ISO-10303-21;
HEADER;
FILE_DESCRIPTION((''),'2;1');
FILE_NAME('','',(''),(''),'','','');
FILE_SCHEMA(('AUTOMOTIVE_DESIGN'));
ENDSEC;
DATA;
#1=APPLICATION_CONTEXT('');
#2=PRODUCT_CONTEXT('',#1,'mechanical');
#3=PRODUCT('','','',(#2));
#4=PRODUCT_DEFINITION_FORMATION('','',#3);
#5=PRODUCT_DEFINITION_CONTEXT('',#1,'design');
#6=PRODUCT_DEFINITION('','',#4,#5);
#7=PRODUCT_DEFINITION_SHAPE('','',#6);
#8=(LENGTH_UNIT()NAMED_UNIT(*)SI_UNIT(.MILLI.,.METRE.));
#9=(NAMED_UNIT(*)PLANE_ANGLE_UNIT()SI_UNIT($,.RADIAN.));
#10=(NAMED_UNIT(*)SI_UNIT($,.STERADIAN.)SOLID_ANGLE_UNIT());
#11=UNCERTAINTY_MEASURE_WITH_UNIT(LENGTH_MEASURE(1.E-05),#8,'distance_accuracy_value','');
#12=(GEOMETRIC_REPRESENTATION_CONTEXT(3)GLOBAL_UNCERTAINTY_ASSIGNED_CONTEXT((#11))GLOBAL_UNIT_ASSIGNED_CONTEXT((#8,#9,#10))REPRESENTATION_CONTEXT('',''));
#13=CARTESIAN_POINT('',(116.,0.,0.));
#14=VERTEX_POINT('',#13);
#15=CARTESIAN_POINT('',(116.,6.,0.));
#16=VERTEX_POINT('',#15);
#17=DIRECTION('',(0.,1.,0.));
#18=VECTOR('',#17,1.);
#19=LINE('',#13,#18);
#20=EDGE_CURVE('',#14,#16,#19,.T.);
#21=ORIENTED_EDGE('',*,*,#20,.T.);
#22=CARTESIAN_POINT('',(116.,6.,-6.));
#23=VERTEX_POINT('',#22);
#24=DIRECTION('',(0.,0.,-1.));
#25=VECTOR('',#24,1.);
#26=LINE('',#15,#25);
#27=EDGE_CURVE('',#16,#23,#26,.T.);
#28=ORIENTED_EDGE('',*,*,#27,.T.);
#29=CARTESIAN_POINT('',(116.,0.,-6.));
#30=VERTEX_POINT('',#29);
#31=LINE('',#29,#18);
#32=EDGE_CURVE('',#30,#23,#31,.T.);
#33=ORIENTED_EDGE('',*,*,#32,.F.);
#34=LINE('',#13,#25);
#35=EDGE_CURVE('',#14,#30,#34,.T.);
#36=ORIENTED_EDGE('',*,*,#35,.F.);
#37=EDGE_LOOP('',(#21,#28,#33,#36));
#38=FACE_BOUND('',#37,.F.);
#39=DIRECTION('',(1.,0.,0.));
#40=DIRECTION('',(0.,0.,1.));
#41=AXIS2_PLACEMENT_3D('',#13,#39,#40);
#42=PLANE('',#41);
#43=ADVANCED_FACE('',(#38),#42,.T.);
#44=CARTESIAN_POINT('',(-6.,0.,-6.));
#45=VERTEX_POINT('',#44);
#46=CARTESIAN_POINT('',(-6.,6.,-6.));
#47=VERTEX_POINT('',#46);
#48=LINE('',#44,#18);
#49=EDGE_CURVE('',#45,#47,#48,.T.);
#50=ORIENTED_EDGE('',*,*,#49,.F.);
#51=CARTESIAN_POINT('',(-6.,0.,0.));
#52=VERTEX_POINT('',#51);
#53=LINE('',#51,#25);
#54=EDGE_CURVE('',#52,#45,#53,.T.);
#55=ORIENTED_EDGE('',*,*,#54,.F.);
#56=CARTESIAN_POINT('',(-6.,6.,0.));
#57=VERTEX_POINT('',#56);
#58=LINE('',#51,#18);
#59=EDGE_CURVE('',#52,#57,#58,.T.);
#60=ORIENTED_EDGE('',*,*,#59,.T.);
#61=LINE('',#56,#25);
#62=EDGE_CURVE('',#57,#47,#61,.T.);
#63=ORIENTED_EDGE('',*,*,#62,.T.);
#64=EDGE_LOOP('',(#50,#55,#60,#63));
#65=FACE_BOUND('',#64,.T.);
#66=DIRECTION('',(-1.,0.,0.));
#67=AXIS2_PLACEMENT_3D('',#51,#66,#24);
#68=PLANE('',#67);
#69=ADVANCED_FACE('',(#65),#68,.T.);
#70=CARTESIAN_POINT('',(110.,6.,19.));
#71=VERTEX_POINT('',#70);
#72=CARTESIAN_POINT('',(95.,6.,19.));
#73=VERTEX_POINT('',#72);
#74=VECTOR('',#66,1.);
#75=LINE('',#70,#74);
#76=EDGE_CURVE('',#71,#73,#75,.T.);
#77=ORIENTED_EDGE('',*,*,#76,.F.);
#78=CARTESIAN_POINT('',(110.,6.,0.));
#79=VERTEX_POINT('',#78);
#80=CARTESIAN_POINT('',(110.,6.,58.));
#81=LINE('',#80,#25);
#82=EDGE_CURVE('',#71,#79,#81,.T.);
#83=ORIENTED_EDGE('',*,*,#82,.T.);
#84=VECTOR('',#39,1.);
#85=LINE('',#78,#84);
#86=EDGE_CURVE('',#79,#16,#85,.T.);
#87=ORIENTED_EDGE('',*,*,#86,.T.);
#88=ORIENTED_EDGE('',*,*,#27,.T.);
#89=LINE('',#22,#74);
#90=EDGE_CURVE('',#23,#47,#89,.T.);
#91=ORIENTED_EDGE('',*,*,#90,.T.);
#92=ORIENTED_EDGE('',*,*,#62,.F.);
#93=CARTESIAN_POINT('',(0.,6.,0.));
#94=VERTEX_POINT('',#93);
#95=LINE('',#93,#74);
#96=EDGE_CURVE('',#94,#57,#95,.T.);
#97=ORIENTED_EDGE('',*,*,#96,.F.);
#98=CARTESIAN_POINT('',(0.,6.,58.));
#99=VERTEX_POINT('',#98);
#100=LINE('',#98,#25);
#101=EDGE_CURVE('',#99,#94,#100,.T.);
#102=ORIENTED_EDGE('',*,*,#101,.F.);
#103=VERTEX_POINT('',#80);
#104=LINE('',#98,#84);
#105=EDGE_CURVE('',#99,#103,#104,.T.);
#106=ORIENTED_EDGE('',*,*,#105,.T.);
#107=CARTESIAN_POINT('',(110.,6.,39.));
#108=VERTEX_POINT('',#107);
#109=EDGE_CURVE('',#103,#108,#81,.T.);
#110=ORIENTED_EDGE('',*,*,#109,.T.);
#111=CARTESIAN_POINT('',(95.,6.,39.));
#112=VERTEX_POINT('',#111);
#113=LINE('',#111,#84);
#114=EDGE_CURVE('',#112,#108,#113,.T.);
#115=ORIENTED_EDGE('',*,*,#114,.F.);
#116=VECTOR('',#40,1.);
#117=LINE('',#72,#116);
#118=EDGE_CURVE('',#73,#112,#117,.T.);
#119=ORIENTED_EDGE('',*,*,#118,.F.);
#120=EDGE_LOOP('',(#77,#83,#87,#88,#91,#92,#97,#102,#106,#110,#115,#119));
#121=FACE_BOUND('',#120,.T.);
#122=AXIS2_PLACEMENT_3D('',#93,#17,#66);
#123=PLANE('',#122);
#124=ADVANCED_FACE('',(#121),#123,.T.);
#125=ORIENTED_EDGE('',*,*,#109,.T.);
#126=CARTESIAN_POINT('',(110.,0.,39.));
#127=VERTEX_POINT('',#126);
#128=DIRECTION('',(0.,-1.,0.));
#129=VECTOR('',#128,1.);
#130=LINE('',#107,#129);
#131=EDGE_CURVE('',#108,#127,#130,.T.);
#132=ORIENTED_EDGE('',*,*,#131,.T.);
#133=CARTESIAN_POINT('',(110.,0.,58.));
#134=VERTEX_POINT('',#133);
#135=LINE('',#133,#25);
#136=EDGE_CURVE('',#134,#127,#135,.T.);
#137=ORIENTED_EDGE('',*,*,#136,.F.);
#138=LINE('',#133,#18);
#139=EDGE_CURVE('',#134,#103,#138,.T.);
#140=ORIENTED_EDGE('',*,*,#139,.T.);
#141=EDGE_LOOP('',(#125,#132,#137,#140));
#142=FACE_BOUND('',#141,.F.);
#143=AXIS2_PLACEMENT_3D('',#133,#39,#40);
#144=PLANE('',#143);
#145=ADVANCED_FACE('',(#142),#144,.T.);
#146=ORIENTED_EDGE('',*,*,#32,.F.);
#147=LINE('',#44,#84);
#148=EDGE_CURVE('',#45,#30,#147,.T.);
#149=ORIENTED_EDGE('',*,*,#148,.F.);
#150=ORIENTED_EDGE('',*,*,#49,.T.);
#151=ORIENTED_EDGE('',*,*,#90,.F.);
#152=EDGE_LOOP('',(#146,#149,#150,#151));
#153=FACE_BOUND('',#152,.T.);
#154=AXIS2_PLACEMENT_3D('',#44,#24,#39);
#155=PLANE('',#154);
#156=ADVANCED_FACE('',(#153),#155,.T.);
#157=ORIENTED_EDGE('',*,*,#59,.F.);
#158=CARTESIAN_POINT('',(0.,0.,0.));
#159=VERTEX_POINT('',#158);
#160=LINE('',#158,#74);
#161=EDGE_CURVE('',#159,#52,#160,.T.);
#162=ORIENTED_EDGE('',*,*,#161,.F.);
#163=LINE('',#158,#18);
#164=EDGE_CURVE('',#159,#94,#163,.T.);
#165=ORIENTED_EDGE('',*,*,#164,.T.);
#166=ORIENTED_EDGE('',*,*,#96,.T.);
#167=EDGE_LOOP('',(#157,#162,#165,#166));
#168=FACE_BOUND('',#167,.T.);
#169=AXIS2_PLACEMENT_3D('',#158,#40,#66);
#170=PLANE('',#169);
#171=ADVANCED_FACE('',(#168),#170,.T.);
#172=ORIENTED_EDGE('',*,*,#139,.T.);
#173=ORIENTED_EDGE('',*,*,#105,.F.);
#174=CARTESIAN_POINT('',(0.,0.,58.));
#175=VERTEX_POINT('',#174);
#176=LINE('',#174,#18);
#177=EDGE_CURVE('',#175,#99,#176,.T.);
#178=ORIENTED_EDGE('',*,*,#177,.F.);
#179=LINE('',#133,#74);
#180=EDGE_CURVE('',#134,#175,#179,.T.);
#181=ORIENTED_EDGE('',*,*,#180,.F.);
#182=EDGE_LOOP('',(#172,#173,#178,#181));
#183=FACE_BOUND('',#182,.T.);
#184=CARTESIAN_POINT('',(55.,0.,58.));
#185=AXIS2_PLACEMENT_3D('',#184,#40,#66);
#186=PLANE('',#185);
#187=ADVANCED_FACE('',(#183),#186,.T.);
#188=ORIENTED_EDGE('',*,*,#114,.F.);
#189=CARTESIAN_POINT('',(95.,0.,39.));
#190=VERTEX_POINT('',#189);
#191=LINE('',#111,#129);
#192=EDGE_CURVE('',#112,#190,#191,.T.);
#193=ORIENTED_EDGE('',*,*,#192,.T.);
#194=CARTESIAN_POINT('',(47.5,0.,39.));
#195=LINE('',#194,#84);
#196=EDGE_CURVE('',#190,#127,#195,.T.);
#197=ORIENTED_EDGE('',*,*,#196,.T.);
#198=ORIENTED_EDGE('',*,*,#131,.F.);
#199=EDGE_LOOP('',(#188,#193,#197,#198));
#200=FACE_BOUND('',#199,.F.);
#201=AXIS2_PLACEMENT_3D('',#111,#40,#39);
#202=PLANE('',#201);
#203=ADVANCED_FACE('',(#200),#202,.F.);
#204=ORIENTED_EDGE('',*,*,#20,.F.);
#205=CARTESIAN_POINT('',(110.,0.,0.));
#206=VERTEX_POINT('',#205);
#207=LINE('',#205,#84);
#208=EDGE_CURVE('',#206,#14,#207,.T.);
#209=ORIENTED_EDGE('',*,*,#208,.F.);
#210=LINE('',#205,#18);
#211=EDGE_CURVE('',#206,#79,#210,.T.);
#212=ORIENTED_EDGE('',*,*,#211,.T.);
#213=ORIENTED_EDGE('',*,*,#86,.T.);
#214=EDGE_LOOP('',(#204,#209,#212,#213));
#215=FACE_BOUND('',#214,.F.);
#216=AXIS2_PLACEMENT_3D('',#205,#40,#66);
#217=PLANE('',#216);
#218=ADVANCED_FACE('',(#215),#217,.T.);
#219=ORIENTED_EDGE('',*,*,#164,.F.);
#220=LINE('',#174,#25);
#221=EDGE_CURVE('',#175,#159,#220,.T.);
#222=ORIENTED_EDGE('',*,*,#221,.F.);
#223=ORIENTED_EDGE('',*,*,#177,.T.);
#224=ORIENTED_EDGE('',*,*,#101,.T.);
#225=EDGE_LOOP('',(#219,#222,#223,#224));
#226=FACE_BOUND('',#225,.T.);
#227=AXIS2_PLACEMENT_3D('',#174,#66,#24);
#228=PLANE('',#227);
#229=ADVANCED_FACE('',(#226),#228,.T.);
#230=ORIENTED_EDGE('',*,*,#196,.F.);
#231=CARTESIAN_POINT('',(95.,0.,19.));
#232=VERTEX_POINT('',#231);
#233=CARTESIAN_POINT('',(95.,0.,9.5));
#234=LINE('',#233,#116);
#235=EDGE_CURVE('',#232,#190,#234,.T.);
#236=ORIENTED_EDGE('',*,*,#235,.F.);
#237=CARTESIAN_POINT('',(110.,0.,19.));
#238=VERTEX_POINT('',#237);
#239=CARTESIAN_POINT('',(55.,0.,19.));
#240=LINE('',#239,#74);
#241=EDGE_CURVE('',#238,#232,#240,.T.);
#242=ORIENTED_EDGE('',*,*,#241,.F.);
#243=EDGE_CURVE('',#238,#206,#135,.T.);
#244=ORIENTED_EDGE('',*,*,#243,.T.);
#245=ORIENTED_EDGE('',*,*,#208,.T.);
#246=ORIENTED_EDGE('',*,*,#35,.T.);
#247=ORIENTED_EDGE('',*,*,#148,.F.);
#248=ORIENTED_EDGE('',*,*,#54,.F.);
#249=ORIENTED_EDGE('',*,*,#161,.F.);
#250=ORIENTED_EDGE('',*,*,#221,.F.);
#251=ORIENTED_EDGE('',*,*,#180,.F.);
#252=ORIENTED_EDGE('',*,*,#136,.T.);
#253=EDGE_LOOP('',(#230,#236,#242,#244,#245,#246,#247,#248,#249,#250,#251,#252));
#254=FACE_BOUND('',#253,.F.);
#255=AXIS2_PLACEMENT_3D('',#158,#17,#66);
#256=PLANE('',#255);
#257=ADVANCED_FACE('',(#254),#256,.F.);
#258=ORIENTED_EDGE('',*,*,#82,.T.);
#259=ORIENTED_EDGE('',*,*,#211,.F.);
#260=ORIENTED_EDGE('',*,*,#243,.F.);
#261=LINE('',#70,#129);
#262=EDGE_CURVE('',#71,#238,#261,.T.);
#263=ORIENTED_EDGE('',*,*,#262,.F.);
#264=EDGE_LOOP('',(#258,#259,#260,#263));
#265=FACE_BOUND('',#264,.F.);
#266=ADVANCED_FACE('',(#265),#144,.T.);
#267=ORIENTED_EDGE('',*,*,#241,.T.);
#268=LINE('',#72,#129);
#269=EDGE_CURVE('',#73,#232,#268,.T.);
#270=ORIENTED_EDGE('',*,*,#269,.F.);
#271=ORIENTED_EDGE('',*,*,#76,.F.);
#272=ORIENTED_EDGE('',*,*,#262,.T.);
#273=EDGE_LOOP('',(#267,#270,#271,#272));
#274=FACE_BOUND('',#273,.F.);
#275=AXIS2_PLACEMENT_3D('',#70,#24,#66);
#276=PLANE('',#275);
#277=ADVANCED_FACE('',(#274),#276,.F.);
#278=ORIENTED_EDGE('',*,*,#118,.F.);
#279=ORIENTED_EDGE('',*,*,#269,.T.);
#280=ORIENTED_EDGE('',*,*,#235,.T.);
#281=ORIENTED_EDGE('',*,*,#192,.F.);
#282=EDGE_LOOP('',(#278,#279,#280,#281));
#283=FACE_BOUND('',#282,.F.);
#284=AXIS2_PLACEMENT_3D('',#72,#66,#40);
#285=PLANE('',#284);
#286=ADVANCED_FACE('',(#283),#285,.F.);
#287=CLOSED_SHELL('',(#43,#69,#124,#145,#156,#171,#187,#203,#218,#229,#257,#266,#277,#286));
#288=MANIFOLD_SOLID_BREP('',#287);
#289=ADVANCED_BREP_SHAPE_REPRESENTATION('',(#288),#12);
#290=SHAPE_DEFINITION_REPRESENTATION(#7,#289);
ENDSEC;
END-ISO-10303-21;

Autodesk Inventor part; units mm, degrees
ref_plane "YZ Plane" through (0, 0, 0) normal (1, 0, 0) x (0, 1, 0)
ref_plane "XZ Plane" through (0, 0, 0) normal (0, 1, 0) x (-1, 0, 0)
ref_plane "XY Plane" through (0, 0, 0) normal (0, 0, 1) x (1, 0, 0)
sketch "Sketch1" plane through (0, 0, 0) normal (0, 1, 0) x (-1, 0, 0)
  line L0 (0, 0) -> (6, 0)
  line L1 (6, 0) -> (6, -6)
  line L2 (6, -6) -> (0, -6)
  line L3 (0, -6) -> (0, 0)
  line L4 (0, -6) -> (-55, -6)
  line L5 (-55, -6) -> (-55, 58)
  line L6 (-55, 58) -> (0, 58)
  line L7 (0, 58) -> (0, -6)
  dimension "d0" = 6
  dimension "d1" = 6
  dimension "d2" = 55
  dimension "d3" = 64
extrude "Extrusion1" add sketch "Sketch1" along normal blind 6
mirror "Mirror1" about plane through (55, 0, 58) normal (1, 0, 0) of "Extrusion1"
sketch "Sketch2" plane through (0, 6, 0) normal (0, 1, 0) x (1, 0, 0)
  line L0 (0, -58) -> (110, -58) projected
  line L1 (0, -58) -> (110, -58) projected
  line L2 (0, -58) -> (110, -58) projected
  line L3 (0, -58) -> (110, -58) projected
  line L4 (-6, 6) -> (-6, 0) projected
  line L5 (-6, 0) -> (0, 0) projected
  line L6 (0, 0) -> (0, -58) projected
  line L7 (0, -58) -> (110, -58) projected
  line L8 (110, 0) -> (110, -58) projected
  line L9 (116, 0) -> (110, 0) projected
  line L10 (116, 6) -> (116, 0) projected
  line L11 (-6, 6) -> (116, 6) projected
  line L12 (-6, 6) -> (116, 6) projected
  line L13 (-6, 6) -> (-6, 0) projected
  line L14 (-6, 6) -> (116, 6) projected
  line L15 (116, 6) -> (116, 0) projected
  line L16 (116, 0) -> (110, 0) projected
  line L17 (110, 0) -> (110, -58) projected
  line L18 (0, -58) -> (110, -58) projected
  line L19 (0, 0) -> (0, -58) projected
  line L20 (-6, 0) -> (0, 0) projected
  line L21 (-6, 6) -> (116, 6) projected
  line L22 (-6, 6) -> (116, 6) projected
  line L23 (-6, 6) -> (116, 6) projected
  line L24 (0, 0) -> (0, -58) projected
  line L25 (0, 0) -> (0, -58) projected
  line L26 (0, 0) -> (0, -58) projected
  line L27 (0, 0) -> (0, -58) projected
  line L28 (-6, 6) -> (-6, 0) projected
  line L29 (-6, 6) -> (-6, 0) projected
  line L30 (-6, 6) -> (-6, 0) projected
  line L31 (-6, 6) -> (-6, 0) projected
  line L32 (-6, 0) -> (0, 0) projected
  line L33 (-6, 0) -> (0, 0) projected
  line L34 (-6, 0) -> (0, 0) projected
  line L35 (-6, 0) -> (0, 0) projected
  line L36 (110, 0) -> (110, -58) projected
  line L37 (110, 0) -> (110, -58) projected
  line L38 (110, 0) -> (110, -58) projected
  line L39 (110, 0) -> (110, -58) projected
  line L40 (116, 0) -> (110, 0) projected
  line L41 (116, 0) -> (110, 0) projected
  line L42 (116, 0) -> (110, 0) projected
  line L43 (116, 0) -> (110, 0) projected
  line L44 (116, 6) -> (116, 0) projected
  line L45 (116, 6) -> (116, 0) projected
  line L46 (116, 6) -> (116, 0) projected
  line L47 (116, 6) -> (116, 0) projected
  line L48 (95, -39) -> (110, -39)
  line L49 (125, -39) -> (125, -19)
  line L50 (125, -19) -> (110, -19)
  line L51 (95, -19) -> (95, -39)
  line L52 (95, -39) -> (125, -19) construction
  line L53 (125, -39) -> (95, -19) construction
  line L54 (110, -19) -> (95, -19)
  line L55 (110, -39) -> (125, -39)
  line L56 (110, -19) -> (110, -39)
  point P0 (110, -29)
  dimension "d6" = 30
  dimension "d7" = 20
extrude "Extrusion2" cut sketch "Sketch2" against normal blind 10 contours L48 L51 L54 L8
properties part number "wall 1 for sorting"
